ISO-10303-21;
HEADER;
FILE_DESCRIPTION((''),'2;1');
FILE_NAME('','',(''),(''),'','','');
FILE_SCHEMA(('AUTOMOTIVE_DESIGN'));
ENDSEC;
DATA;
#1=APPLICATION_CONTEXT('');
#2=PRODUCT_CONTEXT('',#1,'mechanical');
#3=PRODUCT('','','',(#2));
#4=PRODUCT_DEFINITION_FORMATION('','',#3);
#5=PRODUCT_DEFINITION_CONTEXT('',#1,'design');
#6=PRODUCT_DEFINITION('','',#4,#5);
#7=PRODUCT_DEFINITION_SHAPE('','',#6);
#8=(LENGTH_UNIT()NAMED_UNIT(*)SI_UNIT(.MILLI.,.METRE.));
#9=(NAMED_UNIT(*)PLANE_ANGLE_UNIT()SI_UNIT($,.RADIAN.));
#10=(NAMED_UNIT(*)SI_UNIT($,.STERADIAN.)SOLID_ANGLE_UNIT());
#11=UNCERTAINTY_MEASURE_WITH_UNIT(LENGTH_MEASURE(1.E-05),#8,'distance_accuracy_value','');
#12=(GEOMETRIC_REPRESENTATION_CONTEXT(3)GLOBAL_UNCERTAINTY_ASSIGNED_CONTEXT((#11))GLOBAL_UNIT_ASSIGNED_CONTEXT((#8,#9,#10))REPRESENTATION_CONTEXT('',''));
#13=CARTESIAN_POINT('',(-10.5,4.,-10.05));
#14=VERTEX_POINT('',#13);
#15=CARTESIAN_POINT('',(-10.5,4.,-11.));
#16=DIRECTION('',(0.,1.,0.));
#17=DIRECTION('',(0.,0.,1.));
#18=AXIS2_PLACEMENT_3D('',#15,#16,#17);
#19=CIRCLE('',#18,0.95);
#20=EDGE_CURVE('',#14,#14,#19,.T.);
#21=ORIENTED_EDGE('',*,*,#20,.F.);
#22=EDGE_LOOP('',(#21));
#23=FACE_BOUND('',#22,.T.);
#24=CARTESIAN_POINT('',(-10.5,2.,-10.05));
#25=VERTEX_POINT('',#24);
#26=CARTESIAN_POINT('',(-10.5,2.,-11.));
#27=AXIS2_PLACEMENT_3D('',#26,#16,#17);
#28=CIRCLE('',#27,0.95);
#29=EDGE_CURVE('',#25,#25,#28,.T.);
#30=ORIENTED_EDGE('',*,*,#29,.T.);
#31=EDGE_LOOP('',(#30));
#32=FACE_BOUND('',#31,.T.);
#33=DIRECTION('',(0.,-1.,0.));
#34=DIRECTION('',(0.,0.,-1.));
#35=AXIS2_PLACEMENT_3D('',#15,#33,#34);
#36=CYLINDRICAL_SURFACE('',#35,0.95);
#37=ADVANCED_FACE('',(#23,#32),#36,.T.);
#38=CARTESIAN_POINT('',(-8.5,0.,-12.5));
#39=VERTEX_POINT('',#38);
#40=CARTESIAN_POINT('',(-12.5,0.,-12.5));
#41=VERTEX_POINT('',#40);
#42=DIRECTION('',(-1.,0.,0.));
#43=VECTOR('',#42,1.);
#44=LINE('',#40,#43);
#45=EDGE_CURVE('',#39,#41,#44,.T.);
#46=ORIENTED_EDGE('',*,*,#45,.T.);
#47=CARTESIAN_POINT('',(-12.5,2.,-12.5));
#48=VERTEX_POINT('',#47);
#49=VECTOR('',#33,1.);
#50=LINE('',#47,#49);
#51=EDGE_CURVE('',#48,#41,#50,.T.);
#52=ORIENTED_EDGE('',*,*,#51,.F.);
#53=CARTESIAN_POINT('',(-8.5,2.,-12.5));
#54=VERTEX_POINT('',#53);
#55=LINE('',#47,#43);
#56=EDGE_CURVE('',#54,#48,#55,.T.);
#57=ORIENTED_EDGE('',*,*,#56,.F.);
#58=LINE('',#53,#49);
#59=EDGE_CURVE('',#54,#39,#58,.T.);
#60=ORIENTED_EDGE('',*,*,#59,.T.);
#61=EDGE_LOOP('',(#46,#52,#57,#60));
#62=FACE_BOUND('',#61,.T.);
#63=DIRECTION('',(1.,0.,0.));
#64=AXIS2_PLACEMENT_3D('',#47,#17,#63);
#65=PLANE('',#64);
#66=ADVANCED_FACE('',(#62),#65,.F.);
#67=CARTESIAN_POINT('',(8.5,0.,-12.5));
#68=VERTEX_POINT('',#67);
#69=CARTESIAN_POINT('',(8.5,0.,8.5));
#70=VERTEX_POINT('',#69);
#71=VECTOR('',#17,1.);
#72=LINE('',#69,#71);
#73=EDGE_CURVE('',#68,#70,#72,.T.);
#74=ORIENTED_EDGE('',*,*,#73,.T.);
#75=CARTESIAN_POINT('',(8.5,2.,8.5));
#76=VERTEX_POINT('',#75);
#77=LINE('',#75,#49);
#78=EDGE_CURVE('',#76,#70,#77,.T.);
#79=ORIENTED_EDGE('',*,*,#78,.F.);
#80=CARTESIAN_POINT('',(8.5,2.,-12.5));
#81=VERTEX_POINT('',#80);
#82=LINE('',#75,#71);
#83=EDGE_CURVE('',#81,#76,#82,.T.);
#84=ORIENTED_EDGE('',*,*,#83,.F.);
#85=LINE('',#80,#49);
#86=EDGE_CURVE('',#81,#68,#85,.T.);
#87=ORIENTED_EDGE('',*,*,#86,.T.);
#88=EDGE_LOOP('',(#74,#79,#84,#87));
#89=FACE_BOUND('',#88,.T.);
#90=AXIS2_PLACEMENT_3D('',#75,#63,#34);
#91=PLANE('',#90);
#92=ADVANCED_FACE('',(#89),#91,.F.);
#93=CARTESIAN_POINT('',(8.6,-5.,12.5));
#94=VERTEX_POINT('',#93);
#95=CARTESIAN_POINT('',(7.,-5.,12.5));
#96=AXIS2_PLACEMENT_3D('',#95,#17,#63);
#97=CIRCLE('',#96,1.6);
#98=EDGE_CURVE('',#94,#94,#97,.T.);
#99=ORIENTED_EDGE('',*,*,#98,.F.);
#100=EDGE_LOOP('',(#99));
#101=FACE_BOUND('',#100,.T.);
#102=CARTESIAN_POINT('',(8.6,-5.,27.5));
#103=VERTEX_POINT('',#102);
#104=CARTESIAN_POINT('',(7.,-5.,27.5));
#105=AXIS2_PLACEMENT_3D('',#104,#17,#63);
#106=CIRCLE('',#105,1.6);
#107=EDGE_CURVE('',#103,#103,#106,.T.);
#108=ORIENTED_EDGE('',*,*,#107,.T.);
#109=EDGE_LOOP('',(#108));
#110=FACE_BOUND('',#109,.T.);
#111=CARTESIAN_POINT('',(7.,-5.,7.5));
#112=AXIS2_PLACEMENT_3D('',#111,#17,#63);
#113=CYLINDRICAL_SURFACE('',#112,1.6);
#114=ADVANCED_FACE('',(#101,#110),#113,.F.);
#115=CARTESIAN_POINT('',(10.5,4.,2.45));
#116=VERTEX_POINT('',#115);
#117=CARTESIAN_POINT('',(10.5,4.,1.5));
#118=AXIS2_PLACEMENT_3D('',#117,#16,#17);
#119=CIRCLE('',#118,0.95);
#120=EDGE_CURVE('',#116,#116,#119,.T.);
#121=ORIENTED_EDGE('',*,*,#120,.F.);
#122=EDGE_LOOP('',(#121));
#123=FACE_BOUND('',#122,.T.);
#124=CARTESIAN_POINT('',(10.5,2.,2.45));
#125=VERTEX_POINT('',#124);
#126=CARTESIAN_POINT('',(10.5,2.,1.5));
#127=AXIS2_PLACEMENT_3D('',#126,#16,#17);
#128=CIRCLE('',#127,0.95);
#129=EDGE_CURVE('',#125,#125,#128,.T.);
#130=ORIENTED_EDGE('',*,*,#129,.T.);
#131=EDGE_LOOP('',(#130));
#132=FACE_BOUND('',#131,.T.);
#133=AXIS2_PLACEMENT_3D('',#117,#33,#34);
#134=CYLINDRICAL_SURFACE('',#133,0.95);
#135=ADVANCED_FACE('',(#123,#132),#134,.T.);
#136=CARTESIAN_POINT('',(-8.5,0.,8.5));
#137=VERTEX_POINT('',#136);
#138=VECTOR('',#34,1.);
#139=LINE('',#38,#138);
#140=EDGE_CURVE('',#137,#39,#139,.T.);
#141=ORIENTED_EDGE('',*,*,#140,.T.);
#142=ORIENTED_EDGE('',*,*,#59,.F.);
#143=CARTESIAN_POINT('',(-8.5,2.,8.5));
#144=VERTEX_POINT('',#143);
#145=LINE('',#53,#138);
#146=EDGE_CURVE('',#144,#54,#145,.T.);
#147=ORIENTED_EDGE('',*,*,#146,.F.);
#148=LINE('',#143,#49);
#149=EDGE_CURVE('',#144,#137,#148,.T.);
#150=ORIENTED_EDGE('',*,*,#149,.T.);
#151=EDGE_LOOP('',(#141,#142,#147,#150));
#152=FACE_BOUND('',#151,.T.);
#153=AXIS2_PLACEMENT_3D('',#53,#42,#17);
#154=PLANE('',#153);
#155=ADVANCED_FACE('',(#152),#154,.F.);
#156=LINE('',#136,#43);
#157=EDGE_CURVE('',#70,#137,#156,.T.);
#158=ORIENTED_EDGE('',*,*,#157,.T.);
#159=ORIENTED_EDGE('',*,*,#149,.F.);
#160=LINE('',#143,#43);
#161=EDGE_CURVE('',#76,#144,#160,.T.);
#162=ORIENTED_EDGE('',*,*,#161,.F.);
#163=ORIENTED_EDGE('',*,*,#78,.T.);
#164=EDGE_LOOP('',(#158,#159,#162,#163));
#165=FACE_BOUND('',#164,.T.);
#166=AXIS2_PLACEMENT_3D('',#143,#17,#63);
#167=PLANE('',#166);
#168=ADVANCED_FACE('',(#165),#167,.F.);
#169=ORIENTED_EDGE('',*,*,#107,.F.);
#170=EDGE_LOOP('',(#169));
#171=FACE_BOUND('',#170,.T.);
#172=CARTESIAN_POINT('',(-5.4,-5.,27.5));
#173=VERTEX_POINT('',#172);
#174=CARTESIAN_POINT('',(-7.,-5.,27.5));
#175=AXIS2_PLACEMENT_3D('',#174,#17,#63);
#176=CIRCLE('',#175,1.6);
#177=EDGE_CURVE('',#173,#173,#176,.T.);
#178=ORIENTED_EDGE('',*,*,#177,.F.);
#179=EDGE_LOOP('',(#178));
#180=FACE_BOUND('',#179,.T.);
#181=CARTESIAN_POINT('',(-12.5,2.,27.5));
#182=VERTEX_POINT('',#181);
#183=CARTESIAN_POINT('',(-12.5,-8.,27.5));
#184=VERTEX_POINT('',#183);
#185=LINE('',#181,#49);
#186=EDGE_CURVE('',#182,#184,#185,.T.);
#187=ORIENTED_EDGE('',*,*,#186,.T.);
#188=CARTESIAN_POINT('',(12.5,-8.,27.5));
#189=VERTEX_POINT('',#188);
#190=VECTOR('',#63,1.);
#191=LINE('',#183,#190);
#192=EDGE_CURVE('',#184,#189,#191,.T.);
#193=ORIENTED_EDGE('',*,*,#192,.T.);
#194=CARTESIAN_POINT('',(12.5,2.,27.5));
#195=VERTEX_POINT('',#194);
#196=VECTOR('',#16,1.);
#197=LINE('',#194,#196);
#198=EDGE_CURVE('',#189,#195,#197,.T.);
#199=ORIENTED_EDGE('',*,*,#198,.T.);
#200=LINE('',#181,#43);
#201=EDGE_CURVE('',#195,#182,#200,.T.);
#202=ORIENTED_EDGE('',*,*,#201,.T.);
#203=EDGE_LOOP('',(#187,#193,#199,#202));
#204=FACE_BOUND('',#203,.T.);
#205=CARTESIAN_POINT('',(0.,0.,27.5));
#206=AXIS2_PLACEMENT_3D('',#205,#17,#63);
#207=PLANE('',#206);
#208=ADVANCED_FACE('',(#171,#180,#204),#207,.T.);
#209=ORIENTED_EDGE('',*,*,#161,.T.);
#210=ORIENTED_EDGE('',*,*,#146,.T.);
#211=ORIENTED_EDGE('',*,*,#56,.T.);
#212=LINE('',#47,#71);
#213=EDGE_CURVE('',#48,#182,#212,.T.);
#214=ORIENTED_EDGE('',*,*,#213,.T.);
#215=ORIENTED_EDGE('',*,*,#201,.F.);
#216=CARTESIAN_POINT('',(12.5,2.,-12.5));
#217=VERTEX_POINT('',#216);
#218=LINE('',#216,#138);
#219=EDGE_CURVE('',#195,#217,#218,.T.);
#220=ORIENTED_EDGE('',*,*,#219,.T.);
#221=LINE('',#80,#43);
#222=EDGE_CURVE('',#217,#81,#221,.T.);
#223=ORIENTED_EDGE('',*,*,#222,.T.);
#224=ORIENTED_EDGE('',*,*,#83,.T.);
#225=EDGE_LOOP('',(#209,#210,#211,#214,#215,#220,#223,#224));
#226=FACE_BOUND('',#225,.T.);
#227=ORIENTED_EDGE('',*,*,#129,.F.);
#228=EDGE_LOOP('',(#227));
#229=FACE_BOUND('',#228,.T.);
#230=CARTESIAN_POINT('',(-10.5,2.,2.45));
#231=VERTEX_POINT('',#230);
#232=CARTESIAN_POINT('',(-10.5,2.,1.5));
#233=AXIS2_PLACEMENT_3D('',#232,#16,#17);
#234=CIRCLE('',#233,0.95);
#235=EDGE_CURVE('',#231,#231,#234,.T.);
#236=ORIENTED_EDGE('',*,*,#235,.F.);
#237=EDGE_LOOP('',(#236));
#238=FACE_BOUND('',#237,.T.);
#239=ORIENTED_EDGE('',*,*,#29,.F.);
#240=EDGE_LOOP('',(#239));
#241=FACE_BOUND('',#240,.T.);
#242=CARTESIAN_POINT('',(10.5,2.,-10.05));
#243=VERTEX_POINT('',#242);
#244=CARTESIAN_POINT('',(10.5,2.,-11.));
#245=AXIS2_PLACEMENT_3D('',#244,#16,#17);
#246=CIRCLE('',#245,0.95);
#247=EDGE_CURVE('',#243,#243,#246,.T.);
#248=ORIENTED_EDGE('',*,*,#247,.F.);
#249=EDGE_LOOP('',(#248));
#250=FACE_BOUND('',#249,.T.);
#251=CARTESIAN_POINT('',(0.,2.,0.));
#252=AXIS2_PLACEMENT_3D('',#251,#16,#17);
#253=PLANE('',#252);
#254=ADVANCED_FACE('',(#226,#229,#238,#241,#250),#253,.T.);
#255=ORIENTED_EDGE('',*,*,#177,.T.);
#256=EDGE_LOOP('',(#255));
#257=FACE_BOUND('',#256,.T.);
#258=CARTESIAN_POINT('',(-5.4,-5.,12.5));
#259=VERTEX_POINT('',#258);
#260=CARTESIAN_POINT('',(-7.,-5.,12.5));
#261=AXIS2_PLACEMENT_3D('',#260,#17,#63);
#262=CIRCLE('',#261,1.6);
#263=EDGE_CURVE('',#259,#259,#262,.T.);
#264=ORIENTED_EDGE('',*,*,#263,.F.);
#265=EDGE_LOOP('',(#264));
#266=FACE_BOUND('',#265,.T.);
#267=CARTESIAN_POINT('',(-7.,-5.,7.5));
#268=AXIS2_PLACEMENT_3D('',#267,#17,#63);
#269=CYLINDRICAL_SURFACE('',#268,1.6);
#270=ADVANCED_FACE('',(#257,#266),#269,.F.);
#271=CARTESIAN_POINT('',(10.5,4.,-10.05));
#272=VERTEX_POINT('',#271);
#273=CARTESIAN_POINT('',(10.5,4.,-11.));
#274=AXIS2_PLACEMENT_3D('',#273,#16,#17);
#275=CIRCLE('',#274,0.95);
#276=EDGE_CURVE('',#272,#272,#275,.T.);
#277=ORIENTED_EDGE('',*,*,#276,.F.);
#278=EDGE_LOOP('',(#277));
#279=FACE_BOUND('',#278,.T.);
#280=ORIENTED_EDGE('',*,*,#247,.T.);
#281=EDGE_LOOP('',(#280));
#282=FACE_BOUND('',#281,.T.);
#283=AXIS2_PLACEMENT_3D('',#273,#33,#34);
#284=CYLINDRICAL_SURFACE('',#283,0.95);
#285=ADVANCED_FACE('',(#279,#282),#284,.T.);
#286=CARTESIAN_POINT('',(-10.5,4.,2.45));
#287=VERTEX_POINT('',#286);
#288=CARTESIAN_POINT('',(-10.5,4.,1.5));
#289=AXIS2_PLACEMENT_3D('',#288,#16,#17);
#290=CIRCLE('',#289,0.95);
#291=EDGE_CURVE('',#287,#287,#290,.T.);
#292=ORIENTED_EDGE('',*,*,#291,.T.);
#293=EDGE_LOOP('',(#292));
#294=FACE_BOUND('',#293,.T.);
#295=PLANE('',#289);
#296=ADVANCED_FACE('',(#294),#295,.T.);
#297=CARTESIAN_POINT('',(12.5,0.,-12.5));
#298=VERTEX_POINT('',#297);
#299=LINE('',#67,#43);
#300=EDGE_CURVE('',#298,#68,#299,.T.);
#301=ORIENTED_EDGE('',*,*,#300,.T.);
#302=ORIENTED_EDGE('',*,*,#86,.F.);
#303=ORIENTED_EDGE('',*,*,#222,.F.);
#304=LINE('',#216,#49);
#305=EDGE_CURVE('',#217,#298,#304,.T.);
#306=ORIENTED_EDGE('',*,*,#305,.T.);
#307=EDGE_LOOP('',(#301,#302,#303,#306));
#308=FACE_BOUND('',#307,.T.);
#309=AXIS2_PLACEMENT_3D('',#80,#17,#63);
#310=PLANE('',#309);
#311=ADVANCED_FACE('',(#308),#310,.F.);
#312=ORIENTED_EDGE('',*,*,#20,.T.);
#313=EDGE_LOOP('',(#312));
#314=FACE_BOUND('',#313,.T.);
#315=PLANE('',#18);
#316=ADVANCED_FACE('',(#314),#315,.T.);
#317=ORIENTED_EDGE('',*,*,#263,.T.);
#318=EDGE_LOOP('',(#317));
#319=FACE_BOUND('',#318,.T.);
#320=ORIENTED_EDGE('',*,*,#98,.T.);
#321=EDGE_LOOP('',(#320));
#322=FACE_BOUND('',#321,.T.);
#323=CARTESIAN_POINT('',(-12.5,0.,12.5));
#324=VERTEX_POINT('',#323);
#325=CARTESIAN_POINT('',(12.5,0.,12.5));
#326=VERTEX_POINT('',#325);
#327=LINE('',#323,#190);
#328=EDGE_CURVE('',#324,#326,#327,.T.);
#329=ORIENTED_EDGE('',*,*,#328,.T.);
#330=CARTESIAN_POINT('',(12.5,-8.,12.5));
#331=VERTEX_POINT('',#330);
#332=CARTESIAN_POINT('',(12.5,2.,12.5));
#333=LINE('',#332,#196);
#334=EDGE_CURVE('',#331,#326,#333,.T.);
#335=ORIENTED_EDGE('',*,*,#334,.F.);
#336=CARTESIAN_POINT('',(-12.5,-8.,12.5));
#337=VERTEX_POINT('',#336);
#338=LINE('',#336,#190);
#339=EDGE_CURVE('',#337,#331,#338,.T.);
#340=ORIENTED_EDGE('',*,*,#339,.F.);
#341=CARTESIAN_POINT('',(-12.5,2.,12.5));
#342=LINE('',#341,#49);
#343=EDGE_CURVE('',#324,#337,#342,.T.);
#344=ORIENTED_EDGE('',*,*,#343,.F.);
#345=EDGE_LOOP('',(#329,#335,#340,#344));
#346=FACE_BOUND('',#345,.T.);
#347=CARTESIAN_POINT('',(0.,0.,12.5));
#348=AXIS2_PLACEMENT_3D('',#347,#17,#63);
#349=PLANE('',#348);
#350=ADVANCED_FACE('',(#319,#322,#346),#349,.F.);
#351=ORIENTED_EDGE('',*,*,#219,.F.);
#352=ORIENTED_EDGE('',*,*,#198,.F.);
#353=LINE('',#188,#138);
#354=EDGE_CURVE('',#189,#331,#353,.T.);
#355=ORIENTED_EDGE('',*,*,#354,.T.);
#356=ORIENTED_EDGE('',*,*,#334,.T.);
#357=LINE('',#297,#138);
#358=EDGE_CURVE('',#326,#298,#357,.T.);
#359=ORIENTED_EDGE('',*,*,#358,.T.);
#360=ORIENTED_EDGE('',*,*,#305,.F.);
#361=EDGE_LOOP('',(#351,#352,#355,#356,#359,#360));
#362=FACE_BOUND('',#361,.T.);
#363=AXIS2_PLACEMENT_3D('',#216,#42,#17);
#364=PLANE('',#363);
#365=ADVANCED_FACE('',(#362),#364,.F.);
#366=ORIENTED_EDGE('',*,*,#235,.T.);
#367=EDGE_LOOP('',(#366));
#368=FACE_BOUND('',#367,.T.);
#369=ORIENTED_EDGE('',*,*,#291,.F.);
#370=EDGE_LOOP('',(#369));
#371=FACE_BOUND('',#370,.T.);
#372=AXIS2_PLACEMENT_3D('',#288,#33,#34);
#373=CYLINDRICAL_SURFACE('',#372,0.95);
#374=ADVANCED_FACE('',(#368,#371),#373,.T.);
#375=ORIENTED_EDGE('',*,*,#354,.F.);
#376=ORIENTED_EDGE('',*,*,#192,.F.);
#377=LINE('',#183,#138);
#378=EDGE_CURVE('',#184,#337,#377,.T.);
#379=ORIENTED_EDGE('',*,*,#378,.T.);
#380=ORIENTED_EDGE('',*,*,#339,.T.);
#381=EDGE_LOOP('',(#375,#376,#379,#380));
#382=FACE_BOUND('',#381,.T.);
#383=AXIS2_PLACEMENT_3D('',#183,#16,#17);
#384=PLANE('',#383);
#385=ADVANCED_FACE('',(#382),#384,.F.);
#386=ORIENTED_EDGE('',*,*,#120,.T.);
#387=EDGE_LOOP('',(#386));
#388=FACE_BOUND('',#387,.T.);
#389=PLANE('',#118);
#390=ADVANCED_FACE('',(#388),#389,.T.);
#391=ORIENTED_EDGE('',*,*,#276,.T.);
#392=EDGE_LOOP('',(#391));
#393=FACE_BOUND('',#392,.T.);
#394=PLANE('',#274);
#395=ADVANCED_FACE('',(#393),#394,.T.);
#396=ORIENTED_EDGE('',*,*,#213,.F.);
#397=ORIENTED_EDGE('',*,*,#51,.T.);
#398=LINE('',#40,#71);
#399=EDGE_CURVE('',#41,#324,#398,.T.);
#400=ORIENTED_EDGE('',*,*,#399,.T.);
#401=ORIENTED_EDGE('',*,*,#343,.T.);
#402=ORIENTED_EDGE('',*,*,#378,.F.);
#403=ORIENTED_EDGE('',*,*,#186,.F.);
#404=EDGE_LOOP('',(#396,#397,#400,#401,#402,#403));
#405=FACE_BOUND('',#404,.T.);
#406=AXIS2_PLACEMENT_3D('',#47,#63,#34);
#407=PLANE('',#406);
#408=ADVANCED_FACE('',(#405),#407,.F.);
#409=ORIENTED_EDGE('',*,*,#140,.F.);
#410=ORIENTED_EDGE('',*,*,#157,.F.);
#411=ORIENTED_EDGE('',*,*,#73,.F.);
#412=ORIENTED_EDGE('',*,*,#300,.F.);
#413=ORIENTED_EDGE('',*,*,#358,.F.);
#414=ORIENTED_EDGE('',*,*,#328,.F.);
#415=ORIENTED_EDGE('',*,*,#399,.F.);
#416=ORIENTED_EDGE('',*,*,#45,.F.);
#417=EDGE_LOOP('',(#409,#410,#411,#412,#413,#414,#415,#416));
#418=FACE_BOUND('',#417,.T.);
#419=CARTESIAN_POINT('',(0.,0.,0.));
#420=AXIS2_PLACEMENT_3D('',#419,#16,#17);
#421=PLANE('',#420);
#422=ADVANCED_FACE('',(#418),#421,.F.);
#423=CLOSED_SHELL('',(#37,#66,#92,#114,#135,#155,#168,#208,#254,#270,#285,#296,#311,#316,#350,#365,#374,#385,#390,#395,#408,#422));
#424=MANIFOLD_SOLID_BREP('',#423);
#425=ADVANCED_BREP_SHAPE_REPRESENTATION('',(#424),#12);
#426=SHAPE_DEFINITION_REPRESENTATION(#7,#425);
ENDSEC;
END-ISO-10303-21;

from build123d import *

# Parameters (mm, degrees)
BOSS_EXTRUDE1_DEPTH = 2
SKETCH2_R           = 0.95
BOSS_EXTRUDE2_DEPTH = 2
SKETCH3_W           = 25
SKETCH3_H           = 10
BOSS_EXTRUDE3_DEPTH = 15
SKETCH4_R           = 1.6
CUT_EXTRUDE1_DEPTH  = 20


with BuildPart() as part:
    # Sketch1 → Boss-Extrude1 (new body)
    with BuildSketch(Plane(origin=(0, 0, 0), x_dir=(1, 0, 0), z_dir=(0, 1, 0))):
        Polygon((-8.5, 12.5), (-8.5, -8.5), (8.5, -8.5), (8.5, 12.5), (12.5, 12.5), (12.5, -12.5), (-12.5, -12.5), (-12.5, 12.5), align=None)
    extrude(amount=BOSS_EXTRUDE1_DEPTH)

    # Sketch2 → Boss-Extrude2 (add)
    with BuildSketch(Plane(origin=(0, 2, 0), x_dir=(1, 0, 0), z_dir=(0, 1, 0))):
        with Locations((-10.5, 11)):
            Circle(SKETCH2_R)
        with Locations((-10.5, -1.5)):
            Circle(SKETCH2_R)
        with Locations((10.5, 11)):
            Circle(SKETCH2_R)
        with Locations((10.5, -1.5)):
            Circle(SKETCH2_R)
    extrude(amount=BOSS_EXTRUDE2_DEPTH)

    # Sketch3 → Boss-Extrude3 (add)
    with BuildSketch(Plane.XY.offset(12.5)):
        with Locations((0, -3)):
            Rectangle(SKETCH3_W, SKETCH3_H)
    extrude(amount=BOSS_EXTRUDE3_DEPTH)

    # Sketch4 → Cut-Extrude1 (cut)
    with BuildSketch(Plane.XY.offset(27.5)):
        with Locations((-7, -5)):
            Circle(SKETCH4_R)
        with Locations((7, -5)):
            Circle(SKETCH4_R)
    extrude(amount=-CUT_EXTRUDE1_DEPTH, mode=Mode.SUBTRACT)


solid = part.part
